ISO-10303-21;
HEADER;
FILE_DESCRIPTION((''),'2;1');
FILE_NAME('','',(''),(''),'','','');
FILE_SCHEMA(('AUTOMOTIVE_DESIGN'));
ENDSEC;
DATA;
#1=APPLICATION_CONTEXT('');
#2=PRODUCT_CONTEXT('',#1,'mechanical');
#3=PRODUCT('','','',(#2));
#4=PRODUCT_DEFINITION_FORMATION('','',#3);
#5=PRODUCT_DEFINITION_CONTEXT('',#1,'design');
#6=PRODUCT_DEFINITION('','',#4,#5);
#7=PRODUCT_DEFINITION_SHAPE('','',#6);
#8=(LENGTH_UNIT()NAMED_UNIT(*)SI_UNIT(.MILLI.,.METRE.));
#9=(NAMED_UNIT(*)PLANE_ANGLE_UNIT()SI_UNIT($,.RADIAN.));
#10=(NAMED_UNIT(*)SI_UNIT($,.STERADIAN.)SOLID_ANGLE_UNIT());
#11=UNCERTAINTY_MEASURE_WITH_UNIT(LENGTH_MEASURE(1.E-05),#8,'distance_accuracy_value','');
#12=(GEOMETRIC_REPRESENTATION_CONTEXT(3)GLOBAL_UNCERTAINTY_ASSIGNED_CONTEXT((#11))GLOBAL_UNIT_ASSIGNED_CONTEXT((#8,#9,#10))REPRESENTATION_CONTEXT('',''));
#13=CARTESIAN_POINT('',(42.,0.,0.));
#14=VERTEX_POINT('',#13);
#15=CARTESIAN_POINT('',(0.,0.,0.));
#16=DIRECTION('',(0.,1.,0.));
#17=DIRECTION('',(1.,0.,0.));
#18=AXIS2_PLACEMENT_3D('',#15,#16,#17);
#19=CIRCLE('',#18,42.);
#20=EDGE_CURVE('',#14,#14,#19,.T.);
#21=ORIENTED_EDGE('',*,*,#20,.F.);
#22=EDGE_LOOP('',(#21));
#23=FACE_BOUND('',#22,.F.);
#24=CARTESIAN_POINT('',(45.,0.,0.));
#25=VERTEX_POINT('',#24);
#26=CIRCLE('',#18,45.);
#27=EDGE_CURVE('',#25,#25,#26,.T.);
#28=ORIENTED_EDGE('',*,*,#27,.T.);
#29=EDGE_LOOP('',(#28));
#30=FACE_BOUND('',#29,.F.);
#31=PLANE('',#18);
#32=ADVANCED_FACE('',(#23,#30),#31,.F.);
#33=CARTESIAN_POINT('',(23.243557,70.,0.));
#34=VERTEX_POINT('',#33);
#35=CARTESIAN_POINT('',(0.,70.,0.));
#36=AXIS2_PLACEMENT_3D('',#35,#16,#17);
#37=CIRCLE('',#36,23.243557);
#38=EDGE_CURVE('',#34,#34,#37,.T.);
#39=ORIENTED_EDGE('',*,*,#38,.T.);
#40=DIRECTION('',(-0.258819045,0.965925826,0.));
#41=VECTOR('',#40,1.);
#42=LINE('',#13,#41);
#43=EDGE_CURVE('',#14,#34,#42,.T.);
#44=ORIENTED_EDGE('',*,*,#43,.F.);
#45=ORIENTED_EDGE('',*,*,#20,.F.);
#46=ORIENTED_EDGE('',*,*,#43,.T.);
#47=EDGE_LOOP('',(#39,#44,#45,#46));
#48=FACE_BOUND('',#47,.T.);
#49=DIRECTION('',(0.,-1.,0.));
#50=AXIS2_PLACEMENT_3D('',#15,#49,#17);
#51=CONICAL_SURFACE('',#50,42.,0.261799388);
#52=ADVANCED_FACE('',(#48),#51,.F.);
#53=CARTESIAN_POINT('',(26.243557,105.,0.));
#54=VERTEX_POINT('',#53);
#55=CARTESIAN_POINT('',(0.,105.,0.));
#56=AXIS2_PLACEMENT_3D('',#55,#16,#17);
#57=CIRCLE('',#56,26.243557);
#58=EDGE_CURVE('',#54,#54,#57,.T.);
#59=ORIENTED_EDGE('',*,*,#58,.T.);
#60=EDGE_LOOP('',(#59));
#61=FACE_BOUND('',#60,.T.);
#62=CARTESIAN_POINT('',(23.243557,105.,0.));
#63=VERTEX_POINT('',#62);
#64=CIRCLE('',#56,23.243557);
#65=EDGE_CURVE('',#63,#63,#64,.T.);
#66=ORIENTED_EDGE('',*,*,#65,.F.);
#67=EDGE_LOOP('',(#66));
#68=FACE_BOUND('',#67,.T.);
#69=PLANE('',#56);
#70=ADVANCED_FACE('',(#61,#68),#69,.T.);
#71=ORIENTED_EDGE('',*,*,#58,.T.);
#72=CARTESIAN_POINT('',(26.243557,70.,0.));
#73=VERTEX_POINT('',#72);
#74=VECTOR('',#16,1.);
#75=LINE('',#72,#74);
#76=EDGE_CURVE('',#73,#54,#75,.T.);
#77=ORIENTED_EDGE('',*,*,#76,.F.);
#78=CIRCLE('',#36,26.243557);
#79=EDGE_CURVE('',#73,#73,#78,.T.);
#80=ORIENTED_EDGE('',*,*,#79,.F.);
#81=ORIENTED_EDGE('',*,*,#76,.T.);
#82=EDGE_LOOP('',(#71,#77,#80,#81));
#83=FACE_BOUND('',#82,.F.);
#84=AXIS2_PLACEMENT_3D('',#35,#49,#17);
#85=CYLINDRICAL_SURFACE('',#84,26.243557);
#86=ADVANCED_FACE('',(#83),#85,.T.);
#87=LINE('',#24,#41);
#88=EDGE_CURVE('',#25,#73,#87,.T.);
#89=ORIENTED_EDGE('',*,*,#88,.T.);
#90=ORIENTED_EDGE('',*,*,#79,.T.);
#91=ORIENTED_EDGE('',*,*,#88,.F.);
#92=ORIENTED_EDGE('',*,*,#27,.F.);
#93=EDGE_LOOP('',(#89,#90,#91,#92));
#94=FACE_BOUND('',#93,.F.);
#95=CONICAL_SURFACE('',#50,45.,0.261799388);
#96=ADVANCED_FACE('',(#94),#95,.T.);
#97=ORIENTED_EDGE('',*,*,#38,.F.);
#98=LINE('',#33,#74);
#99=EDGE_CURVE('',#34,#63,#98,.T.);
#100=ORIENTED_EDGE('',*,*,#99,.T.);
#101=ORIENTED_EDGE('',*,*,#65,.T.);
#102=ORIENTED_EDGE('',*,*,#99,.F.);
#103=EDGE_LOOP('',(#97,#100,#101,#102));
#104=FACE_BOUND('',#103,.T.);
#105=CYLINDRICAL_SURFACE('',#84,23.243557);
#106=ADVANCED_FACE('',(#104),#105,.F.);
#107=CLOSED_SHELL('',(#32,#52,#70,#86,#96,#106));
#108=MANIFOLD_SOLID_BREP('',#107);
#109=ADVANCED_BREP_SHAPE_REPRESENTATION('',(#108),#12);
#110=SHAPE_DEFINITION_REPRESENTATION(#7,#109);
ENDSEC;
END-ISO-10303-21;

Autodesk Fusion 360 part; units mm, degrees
sketch "Sketch1" plane through (0, 0, 0) normal (0, 1, 0) x (1, 0, 0)
  circle A0 centre (0, 0) radius 45
  dimension "d1" = 90
extrude "Extrude1" add sketch "Sketch1" along normal blind 70 draft -15
sketch "Sketch2" plane through (0, 0, 0) normal (0, 1, 0) x (1, 0, 0)
  circle A0 centre (0, 0) radius 42
  dimension "d4" = 84
extrude "Extrude2" cut sketch "Sketch2" along normal blind 70 draft -15
extrude "Extrude3" add 1 faces at (25.1459, 70, 1.3038) along direction (0, 1, 0) blind 35
